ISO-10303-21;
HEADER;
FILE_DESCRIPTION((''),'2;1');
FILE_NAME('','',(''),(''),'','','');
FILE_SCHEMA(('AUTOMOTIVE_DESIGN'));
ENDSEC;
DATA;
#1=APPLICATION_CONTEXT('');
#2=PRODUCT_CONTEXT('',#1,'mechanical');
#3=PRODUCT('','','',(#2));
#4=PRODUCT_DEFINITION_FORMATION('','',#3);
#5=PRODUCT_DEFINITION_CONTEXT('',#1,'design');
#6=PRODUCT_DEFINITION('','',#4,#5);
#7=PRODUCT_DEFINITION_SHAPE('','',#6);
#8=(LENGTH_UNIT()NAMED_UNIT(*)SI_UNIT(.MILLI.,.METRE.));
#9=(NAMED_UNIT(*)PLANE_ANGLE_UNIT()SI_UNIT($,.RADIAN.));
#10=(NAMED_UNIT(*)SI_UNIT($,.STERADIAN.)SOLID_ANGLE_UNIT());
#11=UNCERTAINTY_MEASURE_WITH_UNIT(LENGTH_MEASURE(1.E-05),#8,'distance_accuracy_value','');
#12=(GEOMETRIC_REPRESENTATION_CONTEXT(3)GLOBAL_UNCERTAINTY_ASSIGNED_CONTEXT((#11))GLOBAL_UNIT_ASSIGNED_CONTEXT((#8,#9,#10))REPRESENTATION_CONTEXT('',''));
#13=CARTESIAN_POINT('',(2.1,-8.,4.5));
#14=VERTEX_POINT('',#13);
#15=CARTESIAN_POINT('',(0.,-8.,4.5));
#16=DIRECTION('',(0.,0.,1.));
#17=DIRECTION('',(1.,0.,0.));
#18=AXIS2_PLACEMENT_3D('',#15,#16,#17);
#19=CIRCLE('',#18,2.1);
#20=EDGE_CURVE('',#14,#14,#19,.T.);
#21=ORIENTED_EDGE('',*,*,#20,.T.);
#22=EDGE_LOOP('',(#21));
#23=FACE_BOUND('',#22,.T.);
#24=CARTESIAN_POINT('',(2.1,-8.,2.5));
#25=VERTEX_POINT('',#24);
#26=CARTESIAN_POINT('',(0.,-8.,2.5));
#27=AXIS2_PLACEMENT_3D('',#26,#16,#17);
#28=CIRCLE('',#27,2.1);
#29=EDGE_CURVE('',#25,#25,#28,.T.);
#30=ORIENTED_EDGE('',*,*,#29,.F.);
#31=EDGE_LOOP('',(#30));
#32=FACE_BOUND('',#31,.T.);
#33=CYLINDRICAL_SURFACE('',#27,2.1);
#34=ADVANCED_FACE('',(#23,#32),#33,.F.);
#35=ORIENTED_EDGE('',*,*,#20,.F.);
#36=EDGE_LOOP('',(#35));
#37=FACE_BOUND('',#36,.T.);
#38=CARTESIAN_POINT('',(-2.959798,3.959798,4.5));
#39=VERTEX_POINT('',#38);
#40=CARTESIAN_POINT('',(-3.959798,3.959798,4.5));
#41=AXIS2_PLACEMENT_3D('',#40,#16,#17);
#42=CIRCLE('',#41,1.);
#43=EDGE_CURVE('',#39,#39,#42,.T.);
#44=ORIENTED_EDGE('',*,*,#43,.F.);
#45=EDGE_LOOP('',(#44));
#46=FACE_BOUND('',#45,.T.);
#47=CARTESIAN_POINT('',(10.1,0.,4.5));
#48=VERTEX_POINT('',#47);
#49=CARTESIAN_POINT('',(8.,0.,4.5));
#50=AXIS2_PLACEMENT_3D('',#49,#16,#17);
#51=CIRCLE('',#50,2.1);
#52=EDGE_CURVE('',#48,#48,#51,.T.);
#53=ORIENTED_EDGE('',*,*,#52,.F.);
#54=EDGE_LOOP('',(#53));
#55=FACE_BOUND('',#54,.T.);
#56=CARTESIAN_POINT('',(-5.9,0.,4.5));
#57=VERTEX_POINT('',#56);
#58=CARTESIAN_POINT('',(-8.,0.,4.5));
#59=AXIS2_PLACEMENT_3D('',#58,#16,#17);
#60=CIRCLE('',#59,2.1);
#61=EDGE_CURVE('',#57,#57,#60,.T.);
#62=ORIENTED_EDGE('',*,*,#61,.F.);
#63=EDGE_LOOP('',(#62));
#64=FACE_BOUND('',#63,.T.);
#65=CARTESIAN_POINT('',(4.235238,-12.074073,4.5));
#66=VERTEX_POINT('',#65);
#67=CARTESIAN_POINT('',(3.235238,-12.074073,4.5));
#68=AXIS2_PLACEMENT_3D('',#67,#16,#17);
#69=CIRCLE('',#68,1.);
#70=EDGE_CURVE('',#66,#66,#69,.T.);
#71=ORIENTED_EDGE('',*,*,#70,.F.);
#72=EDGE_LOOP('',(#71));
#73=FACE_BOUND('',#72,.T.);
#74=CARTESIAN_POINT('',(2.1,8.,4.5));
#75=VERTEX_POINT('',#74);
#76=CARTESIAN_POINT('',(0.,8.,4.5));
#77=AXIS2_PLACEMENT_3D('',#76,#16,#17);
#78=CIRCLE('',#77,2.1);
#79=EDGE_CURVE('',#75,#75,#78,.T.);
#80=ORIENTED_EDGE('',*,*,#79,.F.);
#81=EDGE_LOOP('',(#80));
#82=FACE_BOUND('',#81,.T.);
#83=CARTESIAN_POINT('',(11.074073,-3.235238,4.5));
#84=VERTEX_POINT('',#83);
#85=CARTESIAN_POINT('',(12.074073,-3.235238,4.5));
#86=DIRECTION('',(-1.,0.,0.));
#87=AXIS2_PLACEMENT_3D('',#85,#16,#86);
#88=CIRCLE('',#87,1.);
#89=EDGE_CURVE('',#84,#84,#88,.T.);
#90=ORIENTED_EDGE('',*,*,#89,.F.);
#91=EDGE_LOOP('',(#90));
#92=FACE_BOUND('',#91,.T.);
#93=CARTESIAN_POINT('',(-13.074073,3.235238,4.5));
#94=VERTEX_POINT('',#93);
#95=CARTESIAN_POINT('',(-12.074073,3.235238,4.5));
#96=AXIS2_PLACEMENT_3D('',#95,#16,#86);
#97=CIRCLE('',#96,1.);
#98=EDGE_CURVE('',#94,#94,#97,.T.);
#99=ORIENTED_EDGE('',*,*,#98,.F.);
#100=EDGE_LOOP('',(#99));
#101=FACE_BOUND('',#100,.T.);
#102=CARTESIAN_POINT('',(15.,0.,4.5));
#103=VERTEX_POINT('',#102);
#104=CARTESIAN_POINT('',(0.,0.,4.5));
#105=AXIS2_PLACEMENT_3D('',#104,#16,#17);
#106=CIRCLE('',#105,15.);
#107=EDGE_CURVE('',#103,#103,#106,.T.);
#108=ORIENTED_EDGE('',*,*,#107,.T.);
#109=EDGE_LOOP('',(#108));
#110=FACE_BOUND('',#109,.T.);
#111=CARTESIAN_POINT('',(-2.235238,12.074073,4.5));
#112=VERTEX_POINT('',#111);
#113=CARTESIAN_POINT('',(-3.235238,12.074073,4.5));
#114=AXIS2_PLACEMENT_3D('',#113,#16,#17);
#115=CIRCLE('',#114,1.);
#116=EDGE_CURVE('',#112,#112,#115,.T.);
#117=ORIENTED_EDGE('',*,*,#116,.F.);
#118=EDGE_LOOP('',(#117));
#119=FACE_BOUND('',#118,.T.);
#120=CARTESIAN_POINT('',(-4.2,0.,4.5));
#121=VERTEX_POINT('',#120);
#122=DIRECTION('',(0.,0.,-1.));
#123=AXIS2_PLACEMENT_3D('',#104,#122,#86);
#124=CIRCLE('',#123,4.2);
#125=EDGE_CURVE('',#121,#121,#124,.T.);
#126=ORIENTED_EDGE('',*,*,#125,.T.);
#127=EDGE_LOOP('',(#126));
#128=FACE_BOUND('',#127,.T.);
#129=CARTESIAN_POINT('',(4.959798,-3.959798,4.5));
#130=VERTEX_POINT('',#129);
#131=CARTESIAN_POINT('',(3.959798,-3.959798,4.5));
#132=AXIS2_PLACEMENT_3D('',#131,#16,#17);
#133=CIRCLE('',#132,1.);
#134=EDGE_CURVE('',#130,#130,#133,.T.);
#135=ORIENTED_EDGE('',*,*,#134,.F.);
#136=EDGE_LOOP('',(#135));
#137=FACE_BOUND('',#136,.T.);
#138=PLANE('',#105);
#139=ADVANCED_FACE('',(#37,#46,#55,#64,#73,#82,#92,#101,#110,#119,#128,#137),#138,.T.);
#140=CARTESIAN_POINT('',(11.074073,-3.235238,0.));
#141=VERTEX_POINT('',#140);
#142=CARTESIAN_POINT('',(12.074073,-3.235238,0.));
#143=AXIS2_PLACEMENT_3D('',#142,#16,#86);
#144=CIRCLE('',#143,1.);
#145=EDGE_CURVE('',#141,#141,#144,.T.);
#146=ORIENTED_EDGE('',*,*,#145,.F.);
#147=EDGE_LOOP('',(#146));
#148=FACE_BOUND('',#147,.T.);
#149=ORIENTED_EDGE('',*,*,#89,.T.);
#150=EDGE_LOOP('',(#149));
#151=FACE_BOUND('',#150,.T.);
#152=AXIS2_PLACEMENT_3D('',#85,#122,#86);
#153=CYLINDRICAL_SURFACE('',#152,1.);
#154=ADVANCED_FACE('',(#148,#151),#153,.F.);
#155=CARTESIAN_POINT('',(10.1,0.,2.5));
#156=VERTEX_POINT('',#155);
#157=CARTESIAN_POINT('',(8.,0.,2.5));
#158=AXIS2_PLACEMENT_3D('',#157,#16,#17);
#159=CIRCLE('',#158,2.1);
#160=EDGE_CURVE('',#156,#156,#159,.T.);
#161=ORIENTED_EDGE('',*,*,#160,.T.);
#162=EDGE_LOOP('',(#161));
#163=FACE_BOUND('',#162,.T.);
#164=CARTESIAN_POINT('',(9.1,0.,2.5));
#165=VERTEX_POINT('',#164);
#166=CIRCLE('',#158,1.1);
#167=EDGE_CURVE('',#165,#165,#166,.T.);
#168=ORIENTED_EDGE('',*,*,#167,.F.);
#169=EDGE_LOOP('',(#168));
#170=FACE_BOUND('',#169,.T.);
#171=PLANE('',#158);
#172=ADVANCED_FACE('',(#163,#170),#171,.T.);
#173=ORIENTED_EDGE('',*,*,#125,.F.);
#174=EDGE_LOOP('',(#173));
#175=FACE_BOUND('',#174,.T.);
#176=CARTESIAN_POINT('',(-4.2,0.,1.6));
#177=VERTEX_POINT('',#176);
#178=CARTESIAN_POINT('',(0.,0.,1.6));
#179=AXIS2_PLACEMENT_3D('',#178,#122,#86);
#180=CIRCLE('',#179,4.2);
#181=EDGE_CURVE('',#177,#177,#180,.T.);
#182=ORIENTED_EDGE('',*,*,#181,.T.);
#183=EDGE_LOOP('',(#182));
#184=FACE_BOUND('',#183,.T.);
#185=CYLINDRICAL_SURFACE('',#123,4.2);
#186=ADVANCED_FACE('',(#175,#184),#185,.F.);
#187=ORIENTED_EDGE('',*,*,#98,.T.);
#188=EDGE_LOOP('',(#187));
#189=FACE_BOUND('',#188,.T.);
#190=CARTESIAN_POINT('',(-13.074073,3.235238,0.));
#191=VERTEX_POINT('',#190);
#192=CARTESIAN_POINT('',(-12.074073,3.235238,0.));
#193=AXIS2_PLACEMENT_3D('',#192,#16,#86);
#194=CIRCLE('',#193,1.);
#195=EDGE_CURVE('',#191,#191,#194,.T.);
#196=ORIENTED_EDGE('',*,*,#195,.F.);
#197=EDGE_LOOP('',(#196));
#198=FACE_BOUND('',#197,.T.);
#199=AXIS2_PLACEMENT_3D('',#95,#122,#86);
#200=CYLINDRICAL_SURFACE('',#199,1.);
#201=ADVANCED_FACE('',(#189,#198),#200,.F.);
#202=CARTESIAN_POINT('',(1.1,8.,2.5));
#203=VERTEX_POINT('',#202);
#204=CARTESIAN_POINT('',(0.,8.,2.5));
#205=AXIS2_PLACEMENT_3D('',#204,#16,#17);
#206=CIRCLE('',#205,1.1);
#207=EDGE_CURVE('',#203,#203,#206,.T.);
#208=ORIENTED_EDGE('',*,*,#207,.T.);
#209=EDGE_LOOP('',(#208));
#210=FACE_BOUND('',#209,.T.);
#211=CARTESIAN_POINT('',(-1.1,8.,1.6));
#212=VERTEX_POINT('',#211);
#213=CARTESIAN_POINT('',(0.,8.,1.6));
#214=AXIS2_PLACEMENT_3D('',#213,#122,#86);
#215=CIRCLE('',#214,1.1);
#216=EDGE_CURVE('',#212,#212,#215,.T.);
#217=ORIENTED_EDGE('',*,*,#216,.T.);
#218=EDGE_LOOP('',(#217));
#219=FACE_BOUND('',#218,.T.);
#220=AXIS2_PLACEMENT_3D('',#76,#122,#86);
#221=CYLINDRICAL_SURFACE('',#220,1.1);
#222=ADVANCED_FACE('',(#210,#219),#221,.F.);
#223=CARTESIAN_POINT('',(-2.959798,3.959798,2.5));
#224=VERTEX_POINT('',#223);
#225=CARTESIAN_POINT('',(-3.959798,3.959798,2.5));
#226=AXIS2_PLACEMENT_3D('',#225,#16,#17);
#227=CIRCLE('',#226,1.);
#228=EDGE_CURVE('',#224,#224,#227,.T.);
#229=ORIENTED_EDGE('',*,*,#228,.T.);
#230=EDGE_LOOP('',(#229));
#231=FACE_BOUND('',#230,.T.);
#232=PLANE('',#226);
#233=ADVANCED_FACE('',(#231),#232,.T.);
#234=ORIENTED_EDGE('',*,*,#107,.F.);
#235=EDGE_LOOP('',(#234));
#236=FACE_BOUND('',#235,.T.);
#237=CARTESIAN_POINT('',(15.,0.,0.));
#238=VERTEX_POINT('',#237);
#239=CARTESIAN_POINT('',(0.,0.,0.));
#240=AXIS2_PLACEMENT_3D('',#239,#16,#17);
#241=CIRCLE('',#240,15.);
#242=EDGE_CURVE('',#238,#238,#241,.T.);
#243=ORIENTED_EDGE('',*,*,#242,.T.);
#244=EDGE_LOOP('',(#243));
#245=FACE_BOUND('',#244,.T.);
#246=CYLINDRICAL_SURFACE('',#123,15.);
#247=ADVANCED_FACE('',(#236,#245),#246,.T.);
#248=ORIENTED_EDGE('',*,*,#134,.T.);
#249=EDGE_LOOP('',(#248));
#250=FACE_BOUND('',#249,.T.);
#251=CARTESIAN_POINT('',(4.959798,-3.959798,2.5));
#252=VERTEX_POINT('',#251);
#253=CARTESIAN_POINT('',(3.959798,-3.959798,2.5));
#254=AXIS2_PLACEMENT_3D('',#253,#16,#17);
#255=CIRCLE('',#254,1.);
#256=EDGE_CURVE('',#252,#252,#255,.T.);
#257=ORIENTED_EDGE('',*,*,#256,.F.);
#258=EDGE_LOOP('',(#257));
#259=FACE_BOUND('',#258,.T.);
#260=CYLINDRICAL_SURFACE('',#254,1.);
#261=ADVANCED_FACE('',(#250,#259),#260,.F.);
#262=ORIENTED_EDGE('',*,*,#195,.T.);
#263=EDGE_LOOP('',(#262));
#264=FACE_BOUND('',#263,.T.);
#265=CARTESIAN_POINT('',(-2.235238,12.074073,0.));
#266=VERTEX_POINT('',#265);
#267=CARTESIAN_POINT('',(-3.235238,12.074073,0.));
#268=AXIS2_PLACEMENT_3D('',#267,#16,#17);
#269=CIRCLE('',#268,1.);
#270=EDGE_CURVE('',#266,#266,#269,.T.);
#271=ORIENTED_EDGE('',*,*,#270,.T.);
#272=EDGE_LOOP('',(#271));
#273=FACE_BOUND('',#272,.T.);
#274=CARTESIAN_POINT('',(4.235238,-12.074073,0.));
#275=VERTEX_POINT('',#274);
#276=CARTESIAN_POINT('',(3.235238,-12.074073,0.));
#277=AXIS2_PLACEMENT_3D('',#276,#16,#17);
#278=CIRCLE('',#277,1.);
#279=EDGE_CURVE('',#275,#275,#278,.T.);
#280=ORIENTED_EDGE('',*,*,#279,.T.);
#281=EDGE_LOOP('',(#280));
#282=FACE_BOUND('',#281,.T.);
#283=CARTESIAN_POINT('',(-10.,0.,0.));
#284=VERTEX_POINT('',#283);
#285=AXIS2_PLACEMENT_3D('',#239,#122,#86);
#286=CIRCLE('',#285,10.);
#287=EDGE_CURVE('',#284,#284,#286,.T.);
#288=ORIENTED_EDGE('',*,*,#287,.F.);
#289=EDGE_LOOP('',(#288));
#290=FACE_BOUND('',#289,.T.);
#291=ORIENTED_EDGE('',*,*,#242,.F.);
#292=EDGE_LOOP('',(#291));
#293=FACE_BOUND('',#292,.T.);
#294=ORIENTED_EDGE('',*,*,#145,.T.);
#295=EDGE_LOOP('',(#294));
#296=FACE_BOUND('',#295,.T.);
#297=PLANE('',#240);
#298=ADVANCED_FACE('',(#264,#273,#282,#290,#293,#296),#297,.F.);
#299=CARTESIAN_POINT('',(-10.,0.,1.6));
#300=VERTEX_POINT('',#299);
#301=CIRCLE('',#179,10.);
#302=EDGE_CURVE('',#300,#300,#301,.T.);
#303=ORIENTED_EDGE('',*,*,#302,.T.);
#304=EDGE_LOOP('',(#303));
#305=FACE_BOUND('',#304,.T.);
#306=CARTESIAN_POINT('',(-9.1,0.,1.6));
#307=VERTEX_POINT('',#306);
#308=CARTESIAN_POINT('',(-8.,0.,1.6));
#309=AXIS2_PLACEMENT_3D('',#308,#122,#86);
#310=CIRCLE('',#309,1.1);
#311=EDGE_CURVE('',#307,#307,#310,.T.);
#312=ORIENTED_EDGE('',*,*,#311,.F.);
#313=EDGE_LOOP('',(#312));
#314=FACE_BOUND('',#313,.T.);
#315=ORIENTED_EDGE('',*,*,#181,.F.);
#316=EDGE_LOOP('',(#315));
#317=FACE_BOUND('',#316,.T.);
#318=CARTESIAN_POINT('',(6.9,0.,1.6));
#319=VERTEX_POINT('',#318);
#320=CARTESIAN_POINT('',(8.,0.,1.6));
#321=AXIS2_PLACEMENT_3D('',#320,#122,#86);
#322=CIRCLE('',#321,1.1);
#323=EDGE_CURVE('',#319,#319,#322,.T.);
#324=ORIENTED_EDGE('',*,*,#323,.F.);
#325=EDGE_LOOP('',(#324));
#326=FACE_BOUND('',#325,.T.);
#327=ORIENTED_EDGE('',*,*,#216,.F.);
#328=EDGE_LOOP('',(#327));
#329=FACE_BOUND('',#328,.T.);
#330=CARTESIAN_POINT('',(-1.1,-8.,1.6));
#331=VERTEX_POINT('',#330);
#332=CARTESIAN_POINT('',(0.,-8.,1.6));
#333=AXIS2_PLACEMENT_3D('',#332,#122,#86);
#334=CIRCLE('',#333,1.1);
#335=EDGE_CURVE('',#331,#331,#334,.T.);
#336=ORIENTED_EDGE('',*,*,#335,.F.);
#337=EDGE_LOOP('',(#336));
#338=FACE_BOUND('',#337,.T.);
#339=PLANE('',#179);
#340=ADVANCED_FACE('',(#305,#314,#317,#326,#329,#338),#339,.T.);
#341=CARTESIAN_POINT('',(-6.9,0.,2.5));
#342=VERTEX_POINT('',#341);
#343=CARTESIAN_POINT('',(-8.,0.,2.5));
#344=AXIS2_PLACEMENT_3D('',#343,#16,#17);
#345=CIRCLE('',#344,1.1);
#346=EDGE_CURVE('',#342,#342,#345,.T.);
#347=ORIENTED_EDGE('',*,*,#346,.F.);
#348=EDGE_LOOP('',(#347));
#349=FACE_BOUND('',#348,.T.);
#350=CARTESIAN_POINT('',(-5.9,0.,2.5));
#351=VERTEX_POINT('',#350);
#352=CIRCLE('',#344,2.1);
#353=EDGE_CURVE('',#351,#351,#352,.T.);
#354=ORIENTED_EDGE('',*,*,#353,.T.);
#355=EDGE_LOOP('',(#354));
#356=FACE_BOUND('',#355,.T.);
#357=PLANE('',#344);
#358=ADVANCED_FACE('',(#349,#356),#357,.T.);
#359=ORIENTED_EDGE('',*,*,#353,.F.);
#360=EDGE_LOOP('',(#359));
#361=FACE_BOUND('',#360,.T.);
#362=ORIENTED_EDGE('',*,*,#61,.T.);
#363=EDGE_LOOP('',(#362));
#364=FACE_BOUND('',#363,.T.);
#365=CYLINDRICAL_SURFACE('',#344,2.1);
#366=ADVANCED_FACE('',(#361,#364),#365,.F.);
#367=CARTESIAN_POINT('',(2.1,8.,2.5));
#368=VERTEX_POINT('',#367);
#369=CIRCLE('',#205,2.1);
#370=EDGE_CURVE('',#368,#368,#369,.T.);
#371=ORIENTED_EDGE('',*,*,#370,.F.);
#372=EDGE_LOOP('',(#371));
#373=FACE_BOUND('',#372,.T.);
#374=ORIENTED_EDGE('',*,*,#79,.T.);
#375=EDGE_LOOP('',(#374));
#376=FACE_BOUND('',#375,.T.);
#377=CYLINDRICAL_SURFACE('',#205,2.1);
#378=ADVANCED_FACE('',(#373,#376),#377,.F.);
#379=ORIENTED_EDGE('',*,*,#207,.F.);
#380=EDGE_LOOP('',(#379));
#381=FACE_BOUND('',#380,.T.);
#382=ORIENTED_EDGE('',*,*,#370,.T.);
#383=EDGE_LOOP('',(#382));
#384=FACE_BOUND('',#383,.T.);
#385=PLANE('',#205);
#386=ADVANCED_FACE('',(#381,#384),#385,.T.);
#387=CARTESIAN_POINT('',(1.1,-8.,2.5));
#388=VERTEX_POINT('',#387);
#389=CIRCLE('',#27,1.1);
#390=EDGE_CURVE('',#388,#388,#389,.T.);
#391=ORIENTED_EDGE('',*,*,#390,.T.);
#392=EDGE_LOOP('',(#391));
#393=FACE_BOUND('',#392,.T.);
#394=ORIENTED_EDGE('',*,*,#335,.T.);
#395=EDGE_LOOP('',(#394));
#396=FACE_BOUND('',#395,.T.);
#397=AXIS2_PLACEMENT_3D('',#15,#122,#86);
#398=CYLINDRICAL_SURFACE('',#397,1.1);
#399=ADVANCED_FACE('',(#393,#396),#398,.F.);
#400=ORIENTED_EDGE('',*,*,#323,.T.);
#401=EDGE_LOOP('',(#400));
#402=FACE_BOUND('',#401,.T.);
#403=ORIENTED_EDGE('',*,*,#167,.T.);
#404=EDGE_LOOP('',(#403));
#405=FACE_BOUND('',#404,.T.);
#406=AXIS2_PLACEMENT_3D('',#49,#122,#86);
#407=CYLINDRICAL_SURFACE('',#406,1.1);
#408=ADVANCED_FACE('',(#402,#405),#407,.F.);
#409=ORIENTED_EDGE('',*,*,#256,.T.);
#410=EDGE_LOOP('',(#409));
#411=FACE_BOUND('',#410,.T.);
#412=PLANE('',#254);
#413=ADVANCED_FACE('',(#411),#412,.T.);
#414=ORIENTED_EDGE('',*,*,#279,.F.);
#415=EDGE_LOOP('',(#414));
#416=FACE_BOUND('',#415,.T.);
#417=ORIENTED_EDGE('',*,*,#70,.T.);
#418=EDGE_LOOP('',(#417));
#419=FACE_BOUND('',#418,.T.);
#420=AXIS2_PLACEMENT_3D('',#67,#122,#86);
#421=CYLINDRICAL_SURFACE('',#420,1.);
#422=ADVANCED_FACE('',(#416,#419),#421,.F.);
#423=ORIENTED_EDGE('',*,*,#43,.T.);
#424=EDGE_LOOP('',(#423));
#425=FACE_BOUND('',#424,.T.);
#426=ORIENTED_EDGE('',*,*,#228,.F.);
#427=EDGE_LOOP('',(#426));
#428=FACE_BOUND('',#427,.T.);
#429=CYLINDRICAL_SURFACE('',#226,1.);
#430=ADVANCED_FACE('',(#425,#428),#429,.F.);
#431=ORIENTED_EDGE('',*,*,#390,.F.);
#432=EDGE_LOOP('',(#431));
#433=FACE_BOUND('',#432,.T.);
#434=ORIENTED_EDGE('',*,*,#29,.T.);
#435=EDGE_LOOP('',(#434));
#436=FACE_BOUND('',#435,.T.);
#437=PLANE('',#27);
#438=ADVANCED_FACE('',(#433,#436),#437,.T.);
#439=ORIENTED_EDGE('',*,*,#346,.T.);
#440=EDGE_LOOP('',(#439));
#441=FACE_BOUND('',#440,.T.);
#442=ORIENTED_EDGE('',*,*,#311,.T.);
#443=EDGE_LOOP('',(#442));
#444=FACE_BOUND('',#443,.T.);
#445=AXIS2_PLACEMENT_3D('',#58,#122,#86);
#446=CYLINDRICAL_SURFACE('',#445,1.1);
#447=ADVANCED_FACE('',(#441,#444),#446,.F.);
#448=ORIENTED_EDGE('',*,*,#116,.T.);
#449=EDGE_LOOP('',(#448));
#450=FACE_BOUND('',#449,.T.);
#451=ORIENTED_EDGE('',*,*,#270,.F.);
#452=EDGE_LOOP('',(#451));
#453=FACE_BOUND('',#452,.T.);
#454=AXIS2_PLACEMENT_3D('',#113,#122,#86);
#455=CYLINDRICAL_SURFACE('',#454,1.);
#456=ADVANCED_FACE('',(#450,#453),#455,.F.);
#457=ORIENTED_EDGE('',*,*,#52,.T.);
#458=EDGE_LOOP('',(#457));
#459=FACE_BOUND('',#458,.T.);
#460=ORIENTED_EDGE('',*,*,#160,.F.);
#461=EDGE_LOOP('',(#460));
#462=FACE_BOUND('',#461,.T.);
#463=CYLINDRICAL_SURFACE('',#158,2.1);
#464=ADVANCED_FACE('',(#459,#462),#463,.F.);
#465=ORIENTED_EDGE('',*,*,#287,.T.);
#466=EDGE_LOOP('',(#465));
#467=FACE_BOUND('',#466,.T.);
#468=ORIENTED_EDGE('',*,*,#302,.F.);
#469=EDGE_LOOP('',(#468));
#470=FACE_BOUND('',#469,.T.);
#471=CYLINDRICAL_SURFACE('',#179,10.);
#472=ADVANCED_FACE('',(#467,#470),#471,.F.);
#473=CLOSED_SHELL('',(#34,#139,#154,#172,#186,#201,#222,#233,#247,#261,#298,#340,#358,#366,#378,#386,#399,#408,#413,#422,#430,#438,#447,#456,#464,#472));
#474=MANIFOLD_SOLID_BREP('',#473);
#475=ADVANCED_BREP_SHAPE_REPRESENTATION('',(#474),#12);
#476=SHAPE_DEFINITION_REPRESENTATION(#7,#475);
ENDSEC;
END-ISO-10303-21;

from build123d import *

# Parameters (mm, degrees)
SKETCH_1_R          = 15
SKETCH_1_R_2        = 2.3
SKETCH_1_R_3        = 1.1
SKETCH_1_R_4        = 1
EXTRUDE_1_DEPTH     = 4.5
SKETCH_2_R          = 2.1
CUT_EXTRUDE_1_DEPTH = 2
SKETCH_10_R         = 10
CUT_EXTRUDE_7_DEPTH = 1.6
SKETCH_9_R          = 4.2
CUT_EXTRUDE_5_DEPTH = 3.9
SKETCH_6_R          = 1
CUT_EXTRUDE_6_DEPTH = 2


with BuildPart() as part:
    # 스케치1 → 보스-돌출1 (new body)
    with BuildSketch(Plane.XY):
        Circle(SKETCH_1_R)
        Circle(SKETCH_1_R_2, mode=Mode.SUBTRACT)
        with Locations((0, 8)):
            Circle(SKETCH_1_R_3, mode=Mode.SUBTRACT)
        with Locations((8, 0)):
            Circle(SKETCH_1_R_3, mode=Mode.SUBTRACT)
        with Locations((0, -8)):
            Circle(SKETCH_1_R_3, mode=Mode.SUBTRACT)
        with Locations((-8, 0)):
            Circle(SKETCH_1_R_3, mode=Mode.SUBTRACT)
        with Locations((-3.235238064, 12.074072829)):
            Circle(SKETCH_1_R_4, mode=Mode.SUBTRACT)
        with Locations((12.074072829, -3.235238064)):
            Circle(SKETCH_1_R_4, mode=Mode.SUBTRACT)
        with Locations((3.235238064, -12.074072829)):
            Circle(SKETCH_1_R_4, mode=Mode.SUBTRACT)
        with Locations((-12.074072829, 3.235238064)):
            Circle(SKETCH_1_R_4, mode=Mode.SUBTRACT)
    extrude(amount=EXTRUDE_1_DEPTH)

    # 스케치2 → 컷-돌출1 (cut)
    with BuildSketch(Plane.XY.offset(4.5)):
        with Locations((0, 8)):
            Circle(SKETCH_2_R)
        with Locations((8, 0)):
            Circle(SKETCH_2_R)
        with Locations((0, -8)):
            Circle(SKETCH_2_R)
        with Locations((-8, 0)):
            Circle(SKETCH_2_R)
    extrude(amount=-CUT_EXTRUDE_1_DEPTH, mode=Mode.SUBTRACT)

    # 스케치10 → 컷-돌출7 (cut)
    with BuildSketch(Plane(origin=(0, 0, 0), x_dir=(-1, 0, 0), z_dir=(0, 0, -1))):
        Circle(SKETCH_10_R)
    extrude(amount=-CUT_EXTRUDE_7_DEPTH, mode=Mode.SUBTRACT)

    # 스케치9 → 컷-돌출5 (cut, through all)
    with BuildSketch(Plane(origin=(0, 0, 1.6), x_dir=(-1, 0, 0), z_dir=(0, 0, -1))):
        Circle(SKETCH_9_R)
    extrude(amount=-CUT_EXTRUDE_5_DEPTH, mode=Mode.SUBTRACT)

    # 스케치6 → 컷-돌출6 (cut)
    with BuildSketch(Plane.XY.offset(4.5)):
        with Locations((-3.959797975, 3.959797975)):
            Circle(SKETCH_6_R)
        with Locations((3.959797975, -3.959797975)):
            Circle(SKETCH_6_R)
    extrude(amount=-CUT_EXTRUDE_6_DEPTH, mode=Mode.SUBTRACT)


solid = part.part
